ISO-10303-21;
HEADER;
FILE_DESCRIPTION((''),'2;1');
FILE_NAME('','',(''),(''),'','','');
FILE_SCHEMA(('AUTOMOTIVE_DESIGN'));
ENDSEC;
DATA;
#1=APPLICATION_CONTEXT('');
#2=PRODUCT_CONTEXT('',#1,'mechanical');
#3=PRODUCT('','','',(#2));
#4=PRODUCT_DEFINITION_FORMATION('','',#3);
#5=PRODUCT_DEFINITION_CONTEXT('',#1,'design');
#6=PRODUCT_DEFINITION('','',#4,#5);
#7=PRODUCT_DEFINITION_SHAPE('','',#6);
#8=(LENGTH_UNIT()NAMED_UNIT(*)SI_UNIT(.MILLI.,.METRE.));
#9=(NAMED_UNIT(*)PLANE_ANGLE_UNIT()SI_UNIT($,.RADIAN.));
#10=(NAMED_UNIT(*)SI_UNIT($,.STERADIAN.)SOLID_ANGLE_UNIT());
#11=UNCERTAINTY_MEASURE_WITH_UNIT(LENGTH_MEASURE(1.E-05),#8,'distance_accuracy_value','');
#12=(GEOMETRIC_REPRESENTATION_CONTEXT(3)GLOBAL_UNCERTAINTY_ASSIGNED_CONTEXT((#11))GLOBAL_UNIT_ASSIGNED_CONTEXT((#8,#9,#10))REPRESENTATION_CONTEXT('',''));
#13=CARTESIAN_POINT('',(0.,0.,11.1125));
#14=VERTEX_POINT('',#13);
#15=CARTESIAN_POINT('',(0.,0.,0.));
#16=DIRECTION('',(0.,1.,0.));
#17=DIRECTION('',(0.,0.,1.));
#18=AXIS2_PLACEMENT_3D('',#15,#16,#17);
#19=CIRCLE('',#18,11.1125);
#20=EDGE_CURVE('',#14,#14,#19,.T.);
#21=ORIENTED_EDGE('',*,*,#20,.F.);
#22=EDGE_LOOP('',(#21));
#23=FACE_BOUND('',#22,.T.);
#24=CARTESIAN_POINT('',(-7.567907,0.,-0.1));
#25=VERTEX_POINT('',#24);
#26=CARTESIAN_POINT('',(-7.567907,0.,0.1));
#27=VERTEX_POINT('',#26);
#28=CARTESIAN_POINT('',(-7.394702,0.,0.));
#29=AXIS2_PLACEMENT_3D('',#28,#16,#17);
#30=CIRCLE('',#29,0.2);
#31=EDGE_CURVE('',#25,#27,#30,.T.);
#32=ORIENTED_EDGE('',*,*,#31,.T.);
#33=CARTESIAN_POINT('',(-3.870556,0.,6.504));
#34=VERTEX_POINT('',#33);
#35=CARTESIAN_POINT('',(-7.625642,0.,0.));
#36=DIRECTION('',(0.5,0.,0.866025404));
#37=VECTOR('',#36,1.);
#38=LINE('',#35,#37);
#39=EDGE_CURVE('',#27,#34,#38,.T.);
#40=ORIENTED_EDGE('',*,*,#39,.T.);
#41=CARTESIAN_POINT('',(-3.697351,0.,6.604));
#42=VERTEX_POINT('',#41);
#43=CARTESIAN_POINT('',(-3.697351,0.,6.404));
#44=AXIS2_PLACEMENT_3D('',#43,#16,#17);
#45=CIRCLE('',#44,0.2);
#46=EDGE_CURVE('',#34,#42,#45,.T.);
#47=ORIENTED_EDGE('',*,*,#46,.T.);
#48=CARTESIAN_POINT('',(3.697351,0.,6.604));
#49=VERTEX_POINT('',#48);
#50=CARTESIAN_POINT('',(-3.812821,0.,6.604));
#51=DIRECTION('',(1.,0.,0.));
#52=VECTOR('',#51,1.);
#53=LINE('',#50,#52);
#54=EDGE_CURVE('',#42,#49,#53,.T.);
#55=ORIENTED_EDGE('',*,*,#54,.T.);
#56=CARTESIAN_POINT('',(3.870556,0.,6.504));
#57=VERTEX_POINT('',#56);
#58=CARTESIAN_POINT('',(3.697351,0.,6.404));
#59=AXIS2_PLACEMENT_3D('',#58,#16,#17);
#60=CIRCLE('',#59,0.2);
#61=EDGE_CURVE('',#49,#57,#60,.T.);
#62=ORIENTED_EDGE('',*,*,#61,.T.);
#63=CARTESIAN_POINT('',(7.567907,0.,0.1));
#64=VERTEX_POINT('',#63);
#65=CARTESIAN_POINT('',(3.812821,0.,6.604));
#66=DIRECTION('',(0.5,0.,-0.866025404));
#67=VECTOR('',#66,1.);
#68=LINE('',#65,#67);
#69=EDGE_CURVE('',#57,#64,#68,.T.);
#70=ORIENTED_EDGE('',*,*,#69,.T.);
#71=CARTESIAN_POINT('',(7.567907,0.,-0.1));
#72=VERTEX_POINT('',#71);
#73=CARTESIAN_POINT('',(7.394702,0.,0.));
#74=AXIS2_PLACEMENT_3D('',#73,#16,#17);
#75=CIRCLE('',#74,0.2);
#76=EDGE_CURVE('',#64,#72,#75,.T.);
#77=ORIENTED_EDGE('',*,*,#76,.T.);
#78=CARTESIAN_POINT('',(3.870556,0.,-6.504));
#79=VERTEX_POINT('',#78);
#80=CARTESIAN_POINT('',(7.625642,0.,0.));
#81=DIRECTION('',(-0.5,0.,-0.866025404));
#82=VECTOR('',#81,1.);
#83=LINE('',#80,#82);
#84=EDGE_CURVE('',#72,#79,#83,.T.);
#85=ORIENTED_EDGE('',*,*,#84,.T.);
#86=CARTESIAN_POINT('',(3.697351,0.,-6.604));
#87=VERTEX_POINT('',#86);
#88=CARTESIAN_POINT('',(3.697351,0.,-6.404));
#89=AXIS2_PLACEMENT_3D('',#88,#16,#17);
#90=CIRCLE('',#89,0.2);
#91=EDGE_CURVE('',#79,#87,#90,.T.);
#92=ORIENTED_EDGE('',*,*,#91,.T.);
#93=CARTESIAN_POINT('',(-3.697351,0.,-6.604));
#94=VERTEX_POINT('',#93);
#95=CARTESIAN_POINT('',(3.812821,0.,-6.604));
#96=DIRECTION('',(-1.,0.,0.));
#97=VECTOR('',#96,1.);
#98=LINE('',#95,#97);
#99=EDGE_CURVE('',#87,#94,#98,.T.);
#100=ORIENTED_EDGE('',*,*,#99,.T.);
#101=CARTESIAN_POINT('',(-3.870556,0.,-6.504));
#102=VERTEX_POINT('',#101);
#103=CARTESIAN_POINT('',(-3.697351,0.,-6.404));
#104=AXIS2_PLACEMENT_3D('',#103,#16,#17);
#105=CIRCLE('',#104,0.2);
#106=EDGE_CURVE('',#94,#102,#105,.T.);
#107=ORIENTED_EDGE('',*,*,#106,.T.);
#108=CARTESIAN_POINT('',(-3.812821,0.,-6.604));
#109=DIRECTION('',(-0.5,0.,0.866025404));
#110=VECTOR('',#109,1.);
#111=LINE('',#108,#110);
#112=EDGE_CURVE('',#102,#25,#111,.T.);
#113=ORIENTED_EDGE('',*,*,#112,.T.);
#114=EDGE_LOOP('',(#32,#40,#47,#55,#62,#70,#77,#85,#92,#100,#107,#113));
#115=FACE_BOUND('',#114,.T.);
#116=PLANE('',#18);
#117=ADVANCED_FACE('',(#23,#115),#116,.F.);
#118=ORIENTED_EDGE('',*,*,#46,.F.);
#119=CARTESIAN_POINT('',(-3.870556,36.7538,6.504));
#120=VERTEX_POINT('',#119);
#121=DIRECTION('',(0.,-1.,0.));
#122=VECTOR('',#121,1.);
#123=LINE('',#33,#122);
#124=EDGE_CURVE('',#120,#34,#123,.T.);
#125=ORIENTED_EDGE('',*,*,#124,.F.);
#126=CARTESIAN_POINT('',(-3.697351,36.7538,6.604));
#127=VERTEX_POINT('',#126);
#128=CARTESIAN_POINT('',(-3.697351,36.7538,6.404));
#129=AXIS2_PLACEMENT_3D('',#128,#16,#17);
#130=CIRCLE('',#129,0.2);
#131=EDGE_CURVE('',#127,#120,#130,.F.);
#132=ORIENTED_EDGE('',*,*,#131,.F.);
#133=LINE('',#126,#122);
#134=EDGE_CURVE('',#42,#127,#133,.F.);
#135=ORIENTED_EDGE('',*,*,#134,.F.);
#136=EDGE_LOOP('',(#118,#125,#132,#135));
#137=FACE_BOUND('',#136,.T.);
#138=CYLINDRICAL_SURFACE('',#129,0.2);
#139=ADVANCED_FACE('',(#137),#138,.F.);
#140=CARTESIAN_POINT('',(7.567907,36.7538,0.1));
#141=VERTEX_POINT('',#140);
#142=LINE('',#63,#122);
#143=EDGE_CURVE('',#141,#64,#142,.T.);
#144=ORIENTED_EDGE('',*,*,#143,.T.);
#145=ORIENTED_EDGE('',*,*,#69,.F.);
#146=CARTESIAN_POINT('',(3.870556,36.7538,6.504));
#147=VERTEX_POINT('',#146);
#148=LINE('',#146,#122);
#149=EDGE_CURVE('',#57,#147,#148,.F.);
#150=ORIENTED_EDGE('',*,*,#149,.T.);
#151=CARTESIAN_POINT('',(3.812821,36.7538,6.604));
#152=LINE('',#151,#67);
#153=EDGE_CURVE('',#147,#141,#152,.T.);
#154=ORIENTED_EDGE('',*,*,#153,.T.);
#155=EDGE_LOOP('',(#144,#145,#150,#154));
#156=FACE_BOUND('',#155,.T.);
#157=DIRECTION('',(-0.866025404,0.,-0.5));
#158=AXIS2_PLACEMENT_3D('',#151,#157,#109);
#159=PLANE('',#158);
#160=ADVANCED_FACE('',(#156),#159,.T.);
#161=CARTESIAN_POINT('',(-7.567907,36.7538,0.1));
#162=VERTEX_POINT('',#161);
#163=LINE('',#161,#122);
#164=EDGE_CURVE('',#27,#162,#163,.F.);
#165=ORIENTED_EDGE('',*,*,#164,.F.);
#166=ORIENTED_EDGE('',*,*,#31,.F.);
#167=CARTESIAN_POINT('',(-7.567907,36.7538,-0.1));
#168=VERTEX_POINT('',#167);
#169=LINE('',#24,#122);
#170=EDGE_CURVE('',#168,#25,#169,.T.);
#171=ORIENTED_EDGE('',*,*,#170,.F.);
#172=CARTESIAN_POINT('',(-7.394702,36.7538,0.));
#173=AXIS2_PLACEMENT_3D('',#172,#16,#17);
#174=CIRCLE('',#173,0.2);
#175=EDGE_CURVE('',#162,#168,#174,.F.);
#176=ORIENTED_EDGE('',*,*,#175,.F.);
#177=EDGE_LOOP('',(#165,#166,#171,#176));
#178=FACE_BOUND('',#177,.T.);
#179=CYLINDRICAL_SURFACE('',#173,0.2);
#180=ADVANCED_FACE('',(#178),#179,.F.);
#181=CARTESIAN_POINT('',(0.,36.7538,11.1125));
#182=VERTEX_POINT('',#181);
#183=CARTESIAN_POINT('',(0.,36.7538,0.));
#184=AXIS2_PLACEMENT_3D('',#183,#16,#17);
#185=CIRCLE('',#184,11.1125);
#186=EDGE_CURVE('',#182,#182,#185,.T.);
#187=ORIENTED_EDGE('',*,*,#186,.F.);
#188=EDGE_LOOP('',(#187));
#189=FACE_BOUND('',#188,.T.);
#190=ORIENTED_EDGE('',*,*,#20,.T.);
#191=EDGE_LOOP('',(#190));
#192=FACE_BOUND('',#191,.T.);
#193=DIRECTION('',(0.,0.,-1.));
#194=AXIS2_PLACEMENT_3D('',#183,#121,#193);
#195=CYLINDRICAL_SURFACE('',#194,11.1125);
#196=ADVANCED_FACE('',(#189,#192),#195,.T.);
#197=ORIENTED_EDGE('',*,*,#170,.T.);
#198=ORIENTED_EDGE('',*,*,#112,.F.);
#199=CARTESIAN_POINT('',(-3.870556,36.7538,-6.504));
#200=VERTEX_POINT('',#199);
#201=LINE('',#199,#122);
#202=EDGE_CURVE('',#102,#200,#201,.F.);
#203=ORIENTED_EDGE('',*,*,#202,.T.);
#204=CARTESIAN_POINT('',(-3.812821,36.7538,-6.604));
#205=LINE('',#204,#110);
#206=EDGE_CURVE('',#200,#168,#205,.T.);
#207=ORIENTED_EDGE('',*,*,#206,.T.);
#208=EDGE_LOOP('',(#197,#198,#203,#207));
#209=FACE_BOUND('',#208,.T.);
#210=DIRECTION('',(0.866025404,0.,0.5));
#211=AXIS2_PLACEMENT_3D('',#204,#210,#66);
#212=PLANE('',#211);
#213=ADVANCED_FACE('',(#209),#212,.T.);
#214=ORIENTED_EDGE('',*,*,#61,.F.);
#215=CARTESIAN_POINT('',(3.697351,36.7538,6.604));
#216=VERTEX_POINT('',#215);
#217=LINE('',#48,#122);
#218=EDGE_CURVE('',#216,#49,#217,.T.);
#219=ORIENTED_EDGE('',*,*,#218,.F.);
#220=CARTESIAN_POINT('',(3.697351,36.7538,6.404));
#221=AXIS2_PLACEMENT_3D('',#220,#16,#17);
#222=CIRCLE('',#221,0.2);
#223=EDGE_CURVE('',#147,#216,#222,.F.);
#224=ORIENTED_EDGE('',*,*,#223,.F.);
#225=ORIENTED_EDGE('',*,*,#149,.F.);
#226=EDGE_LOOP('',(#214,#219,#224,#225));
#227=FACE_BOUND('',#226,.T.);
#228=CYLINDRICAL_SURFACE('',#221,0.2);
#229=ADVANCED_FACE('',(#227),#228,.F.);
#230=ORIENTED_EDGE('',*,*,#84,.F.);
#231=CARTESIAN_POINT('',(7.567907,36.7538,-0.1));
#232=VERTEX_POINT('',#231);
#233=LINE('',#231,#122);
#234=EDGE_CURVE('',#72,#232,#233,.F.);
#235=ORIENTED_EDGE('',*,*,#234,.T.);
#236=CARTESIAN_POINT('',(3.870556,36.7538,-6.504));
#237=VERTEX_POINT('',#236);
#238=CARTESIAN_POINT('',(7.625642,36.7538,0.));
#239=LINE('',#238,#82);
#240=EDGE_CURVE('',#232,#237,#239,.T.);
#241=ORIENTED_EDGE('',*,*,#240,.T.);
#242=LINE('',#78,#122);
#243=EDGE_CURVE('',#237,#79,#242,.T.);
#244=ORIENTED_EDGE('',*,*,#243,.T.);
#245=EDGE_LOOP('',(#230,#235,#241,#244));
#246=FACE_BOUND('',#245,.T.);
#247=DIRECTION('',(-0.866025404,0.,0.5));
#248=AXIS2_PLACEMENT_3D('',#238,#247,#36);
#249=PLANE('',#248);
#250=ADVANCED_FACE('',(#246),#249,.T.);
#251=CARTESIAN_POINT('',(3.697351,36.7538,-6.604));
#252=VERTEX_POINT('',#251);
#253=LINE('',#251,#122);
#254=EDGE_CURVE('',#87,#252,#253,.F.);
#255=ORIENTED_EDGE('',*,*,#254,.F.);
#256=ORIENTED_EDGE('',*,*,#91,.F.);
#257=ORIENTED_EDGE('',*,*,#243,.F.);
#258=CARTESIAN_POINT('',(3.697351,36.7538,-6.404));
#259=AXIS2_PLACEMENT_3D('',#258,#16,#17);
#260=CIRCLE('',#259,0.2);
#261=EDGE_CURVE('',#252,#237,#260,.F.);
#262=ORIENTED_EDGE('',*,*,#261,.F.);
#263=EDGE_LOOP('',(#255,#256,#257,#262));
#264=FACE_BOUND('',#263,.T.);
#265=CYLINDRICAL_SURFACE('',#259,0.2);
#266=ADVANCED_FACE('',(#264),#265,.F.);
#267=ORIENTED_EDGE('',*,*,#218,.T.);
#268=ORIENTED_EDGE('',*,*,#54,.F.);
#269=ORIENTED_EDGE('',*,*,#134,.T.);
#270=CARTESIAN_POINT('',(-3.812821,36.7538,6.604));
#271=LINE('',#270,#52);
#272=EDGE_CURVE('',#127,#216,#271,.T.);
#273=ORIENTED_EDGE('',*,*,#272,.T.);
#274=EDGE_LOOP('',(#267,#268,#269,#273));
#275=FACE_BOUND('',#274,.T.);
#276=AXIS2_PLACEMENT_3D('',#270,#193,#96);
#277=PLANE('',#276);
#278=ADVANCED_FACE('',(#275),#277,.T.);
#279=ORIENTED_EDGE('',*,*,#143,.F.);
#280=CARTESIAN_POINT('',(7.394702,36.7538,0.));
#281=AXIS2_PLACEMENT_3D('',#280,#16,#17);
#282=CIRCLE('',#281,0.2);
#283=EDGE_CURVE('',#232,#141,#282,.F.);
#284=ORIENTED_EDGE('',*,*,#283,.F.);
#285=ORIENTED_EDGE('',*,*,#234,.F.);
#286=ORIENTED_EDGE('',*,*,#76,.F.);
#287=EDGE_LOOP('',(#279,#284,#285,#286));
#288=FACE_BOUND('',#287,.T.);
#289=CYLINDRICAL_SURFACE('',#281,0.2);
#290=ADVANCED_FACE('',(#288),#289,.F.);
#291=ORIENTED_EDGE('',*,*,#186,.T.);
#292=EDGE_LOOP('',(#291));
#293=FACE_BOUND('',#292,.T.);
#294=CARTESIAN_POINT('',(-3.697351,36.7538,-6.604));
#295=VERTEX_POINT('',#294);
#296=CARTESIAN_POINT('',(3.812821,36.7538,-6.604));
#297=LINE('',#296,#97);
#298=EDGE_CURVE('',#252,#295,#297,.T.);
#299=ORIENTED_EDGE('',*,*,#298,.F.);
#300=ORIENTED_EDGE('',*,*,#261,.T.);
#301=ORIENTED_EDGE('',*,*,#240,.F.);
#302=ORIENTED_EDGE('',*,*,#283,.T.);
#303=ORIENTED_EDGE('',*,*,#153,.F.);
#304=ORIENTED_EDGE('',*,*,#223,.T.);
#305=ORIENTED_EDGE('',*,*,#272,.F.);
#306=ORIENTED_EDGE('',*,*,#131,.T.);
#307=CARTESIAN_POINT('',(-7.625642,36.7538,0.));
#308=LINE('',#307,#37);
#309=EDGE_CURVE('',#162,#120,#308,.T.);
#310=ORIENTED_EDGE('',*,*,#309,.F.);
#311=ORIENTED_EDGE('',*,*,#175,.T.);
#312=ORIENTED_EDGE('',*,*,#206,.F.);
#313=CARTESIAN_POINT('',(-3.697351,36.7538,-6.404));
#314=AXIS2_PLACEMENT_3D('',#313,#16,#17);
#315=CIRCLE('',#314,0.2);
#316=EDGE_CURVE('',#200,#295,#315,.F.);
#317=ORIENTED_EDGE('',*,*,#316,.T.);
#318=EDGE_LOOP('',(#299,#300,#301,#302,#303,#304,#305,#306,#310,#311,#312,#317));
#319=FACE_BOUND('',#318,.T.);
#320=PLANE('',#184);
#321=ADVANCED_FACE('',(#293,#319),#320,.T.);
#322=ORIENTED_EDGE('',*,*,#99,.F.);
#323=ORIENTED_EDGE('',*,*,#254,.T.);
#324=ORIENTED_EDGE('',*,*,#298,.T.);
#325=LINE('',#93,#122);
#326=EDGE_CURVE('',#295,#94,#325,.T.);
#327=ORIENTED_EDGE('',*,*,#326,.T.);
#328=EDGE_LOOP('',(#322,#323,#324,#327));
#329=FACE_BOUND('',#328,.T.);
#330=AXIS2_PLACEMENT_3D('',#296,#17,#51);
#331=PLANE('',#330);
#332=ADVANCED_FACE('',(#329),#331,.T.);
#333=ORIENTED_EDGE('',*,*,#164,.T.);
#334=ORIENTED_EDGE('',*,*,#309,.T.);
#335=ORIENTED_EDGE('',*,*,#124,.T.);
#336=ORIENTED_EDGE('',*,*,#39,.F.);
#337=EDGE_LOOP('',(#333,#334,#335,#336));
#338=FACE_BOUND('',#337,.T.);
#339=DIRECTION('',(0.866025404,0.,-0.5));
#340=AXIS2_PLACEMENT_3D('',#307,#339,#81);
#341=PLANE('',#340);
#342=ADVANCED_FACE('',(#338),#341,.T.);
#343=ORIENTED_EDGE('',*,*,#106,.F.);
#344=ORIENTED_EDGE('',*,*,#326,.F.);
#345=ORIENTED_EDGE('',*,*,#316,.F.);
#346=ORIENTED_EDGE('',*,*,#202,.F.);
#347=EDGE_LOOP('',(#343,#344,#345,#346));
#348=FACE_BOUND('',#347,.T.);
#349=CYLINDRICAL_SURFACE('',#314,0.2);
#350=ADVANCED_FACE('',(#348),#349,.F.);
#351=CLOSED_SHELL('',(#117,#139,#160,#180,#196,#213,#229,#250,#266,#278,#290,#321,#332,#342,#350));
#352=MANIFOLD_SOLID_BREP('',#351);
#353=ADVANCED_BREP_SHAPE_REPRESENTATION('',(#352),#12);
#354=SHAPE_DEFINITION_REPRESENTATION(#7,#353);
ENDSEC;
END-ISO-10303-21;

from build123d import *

# Parameters (mm, degrees)
SKETCH1_R           = 11.1125
BOSS_EXTRUDE1_DEPTH = 36.7538
FILLET1_R           = 0.2


with BuildPart() as part:
    # Sketch1 → Boss-Extrude1 (new body)
    with BuildSketch(Plane(origin=(0, 0, 0), x_dir=(1, 0, 0), z_dir=(0, 1, 0))):
        Circle(SKETCH1_R)
        Polygon((7.625642355, 0), (3.812821178, 6.604), (-3.812821178, 6.604), (-7.625642355, 0), (-3.812821178, -6.604), (3.812821178, -6.604), align=None, mode=Mode.SUBTRACT)
    extrude(amount=BOSS_EXTRUDE1_DEPTH)

    # Fillet1
    fillet1_edges = [part.edges().sort_by_distance(p)[0] for p in [
        (7.625642355, 18.3769, 0),
        (3.812821178, 18.3769, -6.604),
        (-3.812821178, 18.3769, -6.604),
        (-7.625642355, 18.3769, 0),
        (-3.812821178, 18.3769, 6.604),
        (3.812821178, 18.3769, 6.604),
    ]]
    fillet(fillet1_edges, radius=FILLET1_R)


solid = part.part
